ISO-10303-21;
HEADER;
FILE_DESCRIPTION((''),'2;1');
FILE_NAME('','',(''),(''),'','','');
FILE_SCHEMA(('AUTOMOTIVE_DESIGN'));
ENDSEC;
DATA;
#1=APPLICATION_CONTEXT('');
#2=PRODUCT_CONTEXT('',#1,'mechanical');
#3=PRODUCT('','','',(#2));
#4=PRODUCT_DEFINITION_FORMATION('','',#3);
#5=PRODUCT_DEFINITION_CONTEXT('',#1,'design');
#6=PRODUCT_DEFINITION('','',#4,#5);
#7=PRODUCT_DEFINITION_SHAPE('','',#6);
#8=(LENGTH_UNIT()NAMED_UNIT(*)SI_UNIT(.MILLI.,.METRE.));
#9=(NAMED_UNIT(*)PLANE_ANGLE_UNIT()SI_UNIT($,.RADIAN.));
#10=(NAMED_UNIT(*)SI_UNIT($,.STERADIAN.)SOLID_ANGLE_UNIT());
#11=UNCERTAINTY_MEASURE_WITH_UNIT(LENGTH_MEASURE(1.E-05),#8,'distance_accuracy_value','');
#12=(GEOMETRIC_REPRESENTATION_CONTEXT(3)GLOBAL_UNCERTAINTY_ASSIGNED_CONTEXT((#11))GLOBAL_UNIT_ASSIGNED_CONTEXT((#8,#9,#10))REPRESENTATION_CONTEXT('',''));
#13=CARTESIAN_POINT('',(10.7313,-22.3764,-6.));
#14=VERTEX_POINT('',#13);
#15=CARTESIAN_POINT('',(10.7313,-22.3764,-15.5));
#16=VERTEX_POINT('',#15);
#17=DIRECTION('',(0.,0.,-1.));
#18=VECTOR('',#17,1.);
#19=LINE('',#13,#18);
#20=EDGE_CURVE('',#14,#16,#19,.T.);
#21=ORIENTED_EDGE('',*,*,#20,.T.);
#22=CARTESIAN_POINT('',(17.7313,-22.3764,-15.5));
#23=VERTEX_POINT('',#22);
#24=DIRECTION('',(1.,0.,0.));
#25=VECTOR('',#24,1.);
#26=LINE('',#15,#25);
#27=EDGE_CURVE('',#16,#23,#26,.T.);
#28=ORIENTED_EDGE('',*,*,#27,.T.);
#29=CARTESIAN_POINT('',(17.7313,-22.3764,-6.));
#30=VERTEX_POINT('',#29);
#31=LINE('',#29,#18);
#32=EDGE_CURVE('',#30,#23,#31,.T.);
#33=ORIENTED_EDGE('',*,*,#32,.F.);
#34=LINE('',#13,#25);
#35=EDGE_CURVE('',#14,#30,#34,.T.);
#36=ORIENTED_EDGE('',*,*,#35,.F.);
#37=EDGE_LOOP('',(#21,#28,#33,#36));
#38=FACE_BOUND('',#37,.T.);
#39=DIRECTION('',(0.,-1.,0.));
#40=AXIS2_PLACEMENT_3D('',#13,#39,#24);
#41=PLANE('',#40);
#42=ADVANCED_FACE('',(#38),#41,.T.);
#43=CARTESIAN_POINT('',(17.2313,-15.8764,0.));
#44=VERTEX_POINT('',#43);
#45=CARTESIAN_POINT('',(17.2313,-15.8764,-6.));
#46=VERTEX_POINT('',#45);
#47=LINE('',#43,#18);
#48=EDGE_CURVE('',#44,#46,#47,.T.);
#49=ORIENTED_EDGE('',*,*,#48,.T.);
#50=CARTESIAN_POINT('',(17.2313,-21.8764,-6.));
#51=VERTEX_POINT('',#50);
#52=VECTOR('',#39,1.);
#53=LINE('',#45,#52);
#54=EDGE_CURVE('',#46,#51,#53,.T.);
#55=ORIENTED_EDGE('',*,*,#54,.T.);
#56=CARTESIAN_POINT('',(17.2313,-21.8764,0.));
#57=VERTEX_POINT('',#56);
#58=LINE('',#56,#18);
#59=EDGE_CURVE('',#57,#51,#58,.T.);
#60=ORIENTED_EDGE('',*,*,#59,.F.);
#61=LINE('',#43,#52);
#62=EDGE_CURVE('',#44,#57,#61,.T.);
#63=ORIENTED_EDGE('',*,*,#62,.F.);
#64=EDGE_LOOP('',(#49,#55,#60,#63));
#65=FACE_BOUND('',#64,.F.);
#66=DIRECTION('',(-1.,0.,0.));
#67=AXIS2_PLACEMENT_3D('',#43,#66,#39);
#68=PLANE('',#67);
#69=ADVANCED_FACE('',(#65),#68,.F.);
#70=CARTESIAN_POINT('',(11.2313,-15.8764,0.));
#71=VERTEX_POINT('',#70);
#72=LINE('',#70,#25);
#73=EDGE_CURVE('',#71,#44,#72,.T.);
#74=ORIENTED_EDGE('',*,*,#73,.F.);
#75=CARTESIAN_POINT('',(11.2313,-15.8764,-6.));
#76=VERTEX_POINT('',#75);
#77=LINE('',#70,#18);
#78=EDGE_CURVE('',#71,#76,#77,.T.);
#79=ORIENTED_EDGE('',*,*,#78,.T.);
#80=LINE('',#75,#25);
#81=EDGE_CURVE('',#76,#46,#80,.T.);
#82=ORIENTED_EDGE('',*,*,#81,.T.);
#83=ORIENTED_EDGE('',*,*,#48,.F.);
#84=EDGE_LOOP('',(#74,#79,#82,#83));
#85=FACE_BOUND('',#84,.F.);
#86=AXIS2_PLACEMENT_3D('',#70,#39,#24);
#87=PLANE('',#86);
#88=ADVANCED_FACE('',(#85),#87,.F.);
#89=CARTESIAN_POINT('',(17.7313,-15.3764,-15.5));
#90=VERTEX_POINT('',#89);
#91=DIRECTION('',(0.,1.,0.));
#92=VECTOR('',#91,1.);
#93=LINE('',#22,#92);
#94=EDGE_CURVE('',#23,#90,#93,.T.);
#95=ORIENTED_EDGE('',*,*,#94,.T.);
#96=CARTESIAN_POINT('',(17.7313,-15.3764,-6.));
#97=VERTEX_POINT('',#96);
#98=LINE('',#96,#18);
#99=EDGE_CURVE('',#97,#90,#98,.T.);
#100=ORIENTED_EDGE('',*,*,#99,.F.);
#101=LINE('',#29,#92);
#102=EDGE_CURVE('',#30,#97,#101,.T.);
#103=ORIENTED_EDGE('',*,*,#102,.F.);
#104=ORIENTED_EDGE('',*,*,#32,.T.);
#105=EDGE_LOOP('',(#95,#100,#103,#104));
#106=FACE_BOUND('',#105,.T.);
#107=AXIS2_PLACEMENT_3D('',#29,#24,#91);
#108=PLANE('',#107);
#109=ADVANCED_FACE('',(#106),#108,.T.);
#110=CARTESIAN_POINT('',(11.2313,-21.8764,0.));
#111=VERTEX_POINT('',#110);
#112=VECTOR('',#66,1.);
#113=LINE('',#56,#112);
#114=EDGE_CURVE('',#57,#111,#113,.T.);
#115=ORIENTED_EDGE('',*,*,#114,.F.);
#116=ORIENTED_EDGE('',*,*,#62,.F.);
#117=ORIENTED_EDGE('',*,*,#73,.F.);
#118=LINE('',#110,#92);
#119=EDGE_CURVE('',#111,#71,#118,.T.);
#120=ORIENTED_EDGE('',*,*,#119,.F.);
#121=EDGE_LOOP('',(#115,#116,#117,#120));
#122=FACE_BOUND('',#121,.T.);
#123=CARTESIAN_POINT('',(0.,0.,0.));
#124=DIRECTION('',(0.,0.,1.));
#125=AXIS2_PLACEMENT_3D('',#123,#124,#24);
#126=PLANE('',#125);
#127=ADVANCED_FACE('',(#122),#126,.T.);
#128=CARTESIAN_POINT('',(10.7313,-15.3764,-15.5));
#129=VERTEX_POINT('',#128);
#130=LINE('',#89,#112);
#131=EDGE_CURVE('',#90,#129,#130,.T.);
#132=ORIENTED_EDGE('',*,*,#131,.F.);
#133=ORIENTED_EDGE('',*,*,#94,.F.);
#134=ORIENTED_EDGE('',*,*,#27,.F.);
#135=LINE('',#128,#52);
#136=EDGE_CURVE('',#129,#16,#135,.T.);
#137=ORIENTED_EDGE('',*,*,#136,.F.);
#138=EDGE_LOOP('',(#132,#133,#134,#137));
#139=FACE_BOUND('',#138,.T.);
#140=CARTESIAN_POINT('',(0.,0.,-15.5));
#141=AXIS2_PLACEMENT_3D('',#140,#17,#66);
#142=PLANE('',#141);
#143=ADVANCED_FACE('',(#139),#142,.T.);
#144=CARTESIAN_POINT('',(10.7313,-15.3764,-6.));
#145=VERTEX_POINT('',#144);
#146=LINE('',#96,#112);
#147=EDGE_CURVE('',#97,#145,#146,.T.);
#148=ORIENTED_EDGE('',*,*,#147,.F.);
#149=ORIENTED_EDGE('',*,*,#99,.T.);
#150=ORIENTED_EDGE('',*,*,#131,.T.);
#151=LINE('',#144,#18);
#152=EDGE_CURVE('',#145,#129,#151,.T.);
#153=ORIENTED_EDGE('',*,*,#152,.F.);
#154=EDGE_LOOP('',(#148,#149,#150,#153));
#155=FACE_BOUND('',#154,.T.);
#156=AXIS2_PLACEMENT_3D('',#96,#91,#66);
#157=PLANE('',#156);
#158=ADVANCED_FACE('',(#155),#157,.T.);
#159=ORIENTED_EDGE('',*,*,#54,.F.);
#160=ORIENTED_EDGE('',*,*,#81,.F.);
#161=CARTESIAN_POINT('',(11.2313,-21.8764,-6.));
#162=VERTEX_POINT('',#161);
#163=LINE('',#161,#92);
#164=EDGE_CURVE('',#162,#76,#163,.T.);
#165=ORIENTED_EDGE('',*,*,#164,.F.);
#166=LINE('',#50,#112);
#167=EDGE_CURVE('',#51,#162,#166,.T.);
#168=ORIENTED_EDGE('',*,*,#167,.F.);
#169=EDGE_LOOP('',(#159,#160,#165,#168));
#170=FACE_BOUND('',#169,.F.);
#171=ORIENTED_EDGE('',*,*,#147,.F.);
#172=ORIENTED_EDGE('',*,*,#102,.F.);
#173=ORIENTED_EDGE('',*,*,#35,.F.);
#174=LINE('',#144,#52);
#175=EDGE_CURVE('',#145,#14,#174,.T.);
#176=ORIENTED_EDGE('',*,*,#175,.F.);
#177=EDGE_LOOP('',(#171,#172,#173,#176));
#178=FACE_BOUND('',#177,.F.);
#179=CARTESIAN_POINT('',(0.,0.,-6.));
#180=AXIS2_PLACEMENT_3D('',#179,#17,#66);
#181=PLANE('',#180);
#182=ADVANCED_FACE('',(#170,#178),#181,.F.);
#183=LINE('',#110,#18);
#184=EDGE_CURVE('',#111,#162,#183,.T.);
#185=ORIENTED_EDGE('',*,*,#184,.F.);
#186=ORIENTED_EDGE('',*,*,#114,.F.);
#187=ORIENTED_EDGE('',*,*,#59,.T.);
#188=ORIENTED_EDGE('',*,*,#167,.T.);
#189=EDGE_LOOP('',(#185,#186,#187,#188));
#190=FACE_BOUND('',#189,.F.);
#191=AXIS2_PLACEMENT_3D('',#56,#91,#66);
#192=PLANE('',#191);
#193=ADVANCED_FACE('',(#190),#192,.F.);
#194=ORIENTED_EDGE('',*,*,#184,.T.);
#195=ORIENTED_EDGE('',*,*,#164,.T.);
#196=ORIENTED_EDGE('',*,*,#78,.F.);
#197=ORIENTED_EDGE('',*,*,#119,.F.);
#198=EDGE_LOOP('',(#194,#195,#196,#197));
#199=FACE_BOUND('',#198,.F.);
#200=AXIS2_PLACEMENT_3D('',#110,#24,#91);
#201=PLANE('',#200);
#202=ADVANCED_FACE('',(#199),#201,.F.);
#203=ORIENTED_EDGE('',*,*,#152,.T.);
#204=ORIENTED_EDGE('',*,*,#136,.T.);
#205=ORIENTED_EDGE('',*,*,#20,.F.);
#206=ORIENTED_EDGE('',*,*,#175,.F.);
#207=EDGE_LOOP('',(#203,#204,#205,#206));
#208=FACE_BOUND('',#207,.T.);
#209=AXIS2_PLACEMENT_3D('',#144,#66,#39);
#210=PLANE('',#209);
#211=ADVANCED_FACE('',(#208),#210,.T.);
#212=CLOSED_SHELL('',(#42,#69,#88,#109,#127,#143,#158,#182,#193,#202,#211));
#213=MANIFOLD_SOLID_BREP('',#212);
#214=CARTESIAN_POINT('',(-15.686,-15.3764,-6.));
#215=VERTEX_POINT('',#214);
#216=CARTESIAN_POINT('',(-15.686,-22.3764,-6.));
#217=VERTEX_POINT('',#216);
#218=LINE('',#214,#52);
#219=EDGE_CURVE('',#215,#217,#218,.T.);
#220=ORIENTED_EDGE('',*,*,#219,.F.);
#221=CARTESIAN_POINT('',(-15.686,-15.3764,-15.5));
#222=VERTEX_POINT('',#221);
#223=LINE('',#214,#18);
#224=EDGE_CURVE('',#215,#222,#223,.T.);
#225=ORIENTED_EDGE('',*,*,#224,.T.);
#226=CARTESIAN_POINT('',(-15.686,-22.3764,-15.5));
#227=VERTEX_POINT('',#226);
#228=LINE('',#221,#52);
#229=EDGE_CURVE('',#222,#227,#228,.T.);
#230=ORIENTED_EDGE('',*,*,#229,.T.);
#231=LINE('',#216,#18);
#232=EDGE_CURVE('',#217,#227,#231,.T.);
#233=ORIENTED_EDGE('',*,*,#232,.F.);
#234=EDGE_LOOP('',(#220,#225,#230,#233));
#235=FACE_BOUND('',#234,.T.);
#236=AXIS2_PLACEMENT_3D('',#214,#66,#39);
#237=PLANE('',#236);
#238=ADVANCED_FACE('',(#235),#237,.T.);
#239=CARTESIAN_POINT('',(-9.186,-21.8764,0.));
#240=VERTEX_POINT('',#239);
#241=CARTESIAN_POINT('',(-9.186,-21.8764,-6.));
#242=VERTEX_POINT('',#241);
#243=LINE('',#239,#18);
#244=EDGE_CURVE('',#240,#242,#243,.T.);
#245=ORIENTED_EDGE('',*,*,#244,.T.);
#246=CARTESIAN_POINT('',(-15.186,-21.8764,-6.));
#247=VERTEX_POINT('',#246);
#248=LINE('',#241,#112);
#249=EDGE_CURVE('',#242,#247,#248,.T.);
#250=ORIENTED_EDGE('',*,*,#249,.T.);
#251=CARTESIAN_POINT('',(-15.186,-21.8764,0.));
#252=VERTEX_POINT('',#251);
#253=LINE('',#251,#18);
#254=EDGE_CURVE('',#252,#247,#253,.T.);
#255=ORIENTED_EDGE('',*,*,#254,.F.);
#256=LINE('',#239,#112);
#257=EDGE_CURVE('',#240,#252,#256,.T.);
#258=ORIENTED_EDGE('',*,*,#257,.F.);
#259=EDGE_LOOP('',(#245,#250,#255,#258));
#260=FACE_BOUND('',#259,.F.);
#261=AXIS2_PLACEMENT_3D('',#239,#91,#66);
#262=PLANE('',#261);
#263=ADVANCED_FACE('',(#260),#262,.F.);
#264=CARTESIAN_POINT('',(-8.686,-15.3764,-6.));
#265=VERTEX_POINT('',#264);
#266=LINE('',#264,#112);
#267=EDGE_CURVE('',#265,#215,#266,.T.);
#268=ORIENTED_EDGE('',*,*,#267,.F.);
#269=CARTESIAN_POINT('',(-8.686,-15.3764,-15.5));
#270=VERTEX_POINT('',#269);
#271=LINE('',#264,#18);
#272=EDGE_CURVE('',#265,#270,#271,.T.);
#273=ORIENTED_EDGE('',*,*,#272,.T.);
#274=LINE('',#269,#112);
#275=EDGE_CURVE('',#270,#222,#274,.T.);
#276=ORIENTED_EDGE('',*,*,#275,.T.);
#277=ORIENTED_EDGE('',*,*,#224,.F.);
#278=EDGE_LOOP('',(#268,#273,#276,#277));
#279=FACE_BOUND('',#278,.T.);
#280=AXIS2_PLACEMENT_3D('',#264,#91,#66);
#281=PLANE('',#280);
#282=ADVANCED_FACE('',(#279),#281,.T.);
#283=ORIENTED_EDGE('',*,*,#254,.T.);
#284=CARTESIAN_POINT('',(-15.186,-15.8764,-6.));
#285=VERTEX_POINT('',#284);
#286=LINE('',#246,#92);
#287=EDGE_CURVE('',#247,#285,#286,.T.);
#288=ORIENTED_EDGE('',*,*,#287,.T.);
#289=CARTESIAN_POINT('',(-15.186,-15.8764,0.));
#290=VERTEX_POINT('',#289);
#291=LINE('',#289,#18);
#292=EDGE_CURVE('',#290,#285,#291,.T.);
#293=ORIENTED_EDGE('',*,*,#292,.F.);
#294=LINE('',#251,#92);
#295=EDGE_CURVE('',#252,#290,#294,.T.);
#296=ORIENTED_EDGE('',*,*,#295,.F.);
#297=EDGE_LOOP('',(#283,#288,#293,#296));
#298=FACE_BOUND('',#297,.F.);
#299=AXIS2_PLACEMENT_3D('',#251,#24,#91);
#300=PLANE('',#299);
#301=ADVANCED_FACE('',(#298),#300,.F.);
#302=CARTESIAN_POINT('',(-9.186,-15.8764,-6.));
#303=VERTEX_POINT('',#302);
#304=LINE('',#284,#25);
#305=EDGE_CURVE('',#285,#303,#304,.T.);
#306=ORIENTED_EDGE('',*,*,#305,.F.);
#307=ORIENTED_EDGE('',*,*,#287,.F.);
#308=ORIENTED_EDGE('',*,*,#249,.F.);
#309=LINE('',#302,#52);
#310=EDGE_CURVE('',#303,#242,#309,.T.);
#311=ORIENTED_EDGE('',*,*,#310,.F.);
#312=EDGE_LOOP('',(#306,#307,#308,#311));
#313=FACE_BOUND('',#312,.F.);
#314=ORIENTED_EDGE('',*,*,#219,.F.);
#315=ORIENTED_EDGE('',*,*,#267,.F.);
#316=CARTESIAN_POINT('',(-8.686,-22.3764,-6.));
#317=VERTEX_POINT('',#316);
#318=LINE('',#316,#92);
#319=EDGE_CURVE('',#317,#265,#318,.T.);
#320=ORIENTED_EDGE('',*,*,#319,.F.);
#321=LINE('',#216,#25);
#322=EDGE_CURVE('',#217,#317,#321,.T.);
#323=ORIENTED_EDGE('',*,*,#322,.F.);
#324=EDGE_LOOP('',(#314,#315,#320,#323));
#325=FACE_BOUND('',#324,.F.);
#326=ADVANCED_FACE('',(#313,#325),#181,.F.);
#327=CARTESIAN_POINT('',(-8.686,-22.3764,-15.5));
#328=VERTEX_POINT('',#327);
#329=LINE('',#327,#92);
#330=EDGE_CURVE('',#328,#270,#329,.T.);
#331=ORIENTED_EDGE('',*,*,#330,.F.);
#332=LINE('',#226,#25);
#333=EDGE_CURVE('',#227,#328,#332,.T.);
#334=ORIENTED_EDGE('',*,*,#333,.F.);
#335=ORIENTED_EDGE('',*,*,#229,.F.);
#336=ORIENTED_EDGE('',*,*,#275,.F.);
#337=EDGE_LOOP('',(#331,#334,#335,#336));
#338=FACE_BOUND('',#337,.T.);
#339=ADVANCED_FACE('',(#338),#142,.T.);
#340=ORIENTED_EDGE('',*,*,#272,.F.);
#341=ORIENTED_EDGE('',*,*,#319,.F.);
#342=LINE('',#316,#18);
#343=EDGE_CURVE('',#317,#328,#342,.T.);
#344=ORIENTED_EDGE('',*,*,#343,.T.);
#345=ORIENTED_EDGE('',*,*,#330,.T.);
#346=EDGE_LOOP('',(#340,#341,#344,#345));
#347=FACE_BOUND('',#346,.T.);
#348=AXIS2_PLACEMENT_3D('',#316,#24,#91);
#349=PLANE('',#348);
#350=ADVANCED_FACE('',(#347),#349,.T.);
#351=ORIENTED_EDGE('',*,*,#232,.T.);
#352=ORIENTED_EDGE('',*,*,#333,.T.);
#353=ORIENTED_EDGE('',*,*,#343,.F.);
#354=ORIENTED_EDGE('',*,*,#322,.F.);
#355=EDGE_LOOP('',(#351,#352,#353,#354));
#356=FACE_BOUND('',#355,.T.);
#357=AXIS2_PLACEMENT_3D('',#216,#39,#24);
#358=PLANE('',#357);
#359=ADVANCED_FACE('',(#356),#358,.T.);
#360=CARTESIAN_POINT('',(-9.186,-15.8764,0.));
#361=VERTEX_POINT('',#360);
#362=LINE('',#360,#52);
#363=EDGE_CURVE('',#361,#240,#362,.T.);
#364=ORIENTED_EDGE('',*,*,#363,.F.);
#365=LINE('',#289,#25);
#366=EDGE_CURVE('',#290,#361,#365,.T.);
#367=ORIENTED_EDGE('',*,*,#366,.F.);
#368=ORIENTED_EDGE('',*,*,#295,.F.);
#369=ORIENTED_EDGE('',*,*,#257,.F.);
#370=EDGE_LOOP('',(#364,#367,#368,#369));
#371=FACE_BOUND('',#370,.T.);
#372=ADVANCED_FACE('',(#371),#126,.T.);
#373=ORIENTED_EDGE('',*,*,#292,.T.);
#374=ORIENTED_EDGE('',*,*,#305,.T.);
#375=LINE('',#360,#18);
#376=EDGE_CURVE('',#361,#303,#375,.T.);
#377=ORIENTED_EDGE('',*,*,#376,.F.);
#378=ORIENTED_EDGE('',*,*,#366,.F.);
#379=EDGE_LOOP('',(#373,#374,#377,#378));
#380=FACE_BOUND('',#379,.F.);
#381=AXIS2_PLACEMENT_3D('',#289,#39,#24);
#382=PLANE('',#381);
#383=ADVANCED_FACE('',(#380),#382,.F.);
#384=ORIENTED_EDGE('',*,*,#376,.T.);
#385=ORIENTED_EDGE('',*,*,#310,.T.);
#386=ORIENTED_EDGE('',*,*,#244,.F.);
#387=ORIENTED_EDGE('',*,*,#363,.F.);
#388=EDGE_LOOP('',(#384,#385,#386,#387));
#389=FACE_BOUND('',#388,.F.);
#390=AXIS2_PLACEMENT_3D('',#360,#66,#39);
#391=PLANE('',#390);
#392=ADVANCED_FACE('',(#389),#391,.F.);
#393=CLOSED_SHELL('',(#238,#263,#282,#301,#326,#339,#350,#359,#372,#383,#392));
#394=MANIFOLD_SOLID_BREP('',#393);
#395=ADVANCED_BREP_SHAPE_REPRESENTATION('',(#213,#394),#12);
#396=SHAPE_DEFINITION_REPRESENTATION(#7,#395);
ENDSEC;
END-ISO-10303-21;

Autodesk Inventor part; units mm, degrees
ref_plane "YZ Plane" through (0, 0, 0) normal (1, 0, 0) x (0, 1, 0)
ref_plane "XZ Plane" through (0, 0, 0) normal (0, 1, 0) x (-1, 0, 0)
ref_plane "XY Plane" through (0, 0, 0) normal (0, 0, 1) x (1, 0, 0)
sketch "Skizze1" plane through (0, 0, 0) normal (0, 0, 1) x (1, 0, 0)
  line L0 (-15.686, -15.3764) -> (-8.686, -15.3764)
  line L1 (-8.686, -15.3764) -> (-8.686, -22.3764)
  line L2 (-8.686, -22.3764) -> (-15.686, -22.3764)
  line L3 (-15.686, -22.3764) -> (-15.686, -15.3764)
  line L4 (-15.686, -15.3764) -> (-8.686, -22.3764) construction
  line L5 (-8.686, -15.3764) -> (-15.686, -22.3764) construction
  line L6 (-16.686, -14.3764) -> (-7.686, -14.3764)
  line L7 (-7.686, -14.3764) -> (-7.686, -23.3764)
  line L8 (-7.686, -23.3764) -> (-16.686, -23.3764)
  line L9 (-16.686, -23.3764) -> (-16.686, -14.3764)
  line L10 (-16.686, -14.3764) -> (-7.686, -23.3764) construction
  line L11 (-7.686, -14.3764) -> (-16.686, -23.3764) construction
  line L12 (-15.186, -15.8764) -> (-9.186, -15.8764)
  line L13 (-9.186, -15.8764) -> (-9.186, -21.8764)
  line L14 (-9.186, -21.8764) -> (-15.186, -21.8764)
  line L15 (-15.186, -21.8764) -> (-15.186, -15.8764)
  line L16 (-15.186, -15.8764) -> (-9.186, -21.8764) construction
  line L17 (-9.186, -15.8764) -> (-15.186, -21.8764) construction
  line L18 (11.2313, -15.8764) -> (17.2313, -15.8764)
  line L19 (17.2313, -15.8764) -> (17.2313, -21.8764)
  line L20 (17.2313, -21.8764) -> (11.2313, -21.8764)
  line L21 (11.2313, -21.8764) -> (11.2313, -15.8764)
  line L22 (11.2313, -15.8764) -> (17.2313, -21.8764) construction
  line L23 (17.2313, -15.8764) -> (11.2313, -21.8764) construction
  line L24 (10.7313, -15.3764) -> (17.7313, -15.3764)
  line L25 (17.7313, -15.3764) -> (17.7313, -22.3764)
  line L26 (17.7313, -22.3764) -> (10.7313, -22.3764)
  line L27 (10.7313, -22.3764) -> (10.7313, -15.3764)
  line L28 (10.7313, -15.3764) -> (17.7313, -22.3764) construction
  line L29 (17.7313, -15.3764) -> (10.7313, -22.3764) construction
  line L30 (9.7313, -14.3764) -> (18.7313, -14.3764)
  line L31 (18.7313, -14.3764) -> (18.7313, -23.3764)
  line L32 (18.7313, -23.3764) -> (9.7313, -23.3764)
  line L33 (9.7313, -23.3764) -> (9.7313, -14.3764)
  line L34 (9.7313, -14.3764) -> (18.7313, -23.3764) construction
  line L35 (18.7313, -14.3764) -> (9.7313, -23.3764) construction
  point P0 (0, 0)
  point P1 (-37.0028, -11.3826)
  point P2 (-12.186, -18.8764)
  point P3 (-12.186, -18.8764)
  point P4 (-12.186, -18.8764)
  point P5 (14.2313, -18.8764)
  point P6 (14.2313, -18.8764)
  point P7 (14.2313, -18.8764)
  dimension "d0" = 7
  dimension "d1" = 7
  dimension "d2" = 9
  dimension "d3" = 9
  dimension "d4" = 6
  dimension "d5" = 6
  dimension "d6" = 6
  dimension "d7" = 6
  dimension "d8" = 7
  dimension "d9" = 7
  dimension "d10" = 9
  dimension "d11" = 9
extrude "Extrusion1" add sketch "Skizze1" against normal blind 6 contours L12 L13 L14 L15 | L18 L19 L20 L21
sketch "Skizze2" plane through (0, 0, -6) normal (0, 0, -1) x (-1, 0, 0)
  line L0 (9.186, -21.8764) -> (15.186, -21.8764) projected
  line L1 (15.186, -15.8764) -> (9.186, -15.8764) projected
  line L2 (15.186, -21.8764) -> (9.186, -21.8764)
  line L3 (9.186, -21.8764) -> (9.186, -15.8764)
  line L4 (9.186, -15.8764) -> (15.186, -15.8764)
  line L5 (15.186, -15.8764) -> (15.186, -21.8764)
  line L6 (-11.2313, -21.8764) -> (-17.2313, -21.8764) projected
  line L7 (-17.2313, -21.8764) -> (-11.2313, -21.8764)
  line L8 (-11.2313, -21.8764) -> (-11.2313, -15.8764)
  line L9 (-11.2313, -15.8764) -> (-17.2313, -15.8764)
  line L10 (-17.2313, -15.8764) -> (-17.2313, -21.8764)
  line L11 (15.186, -15.8764) -> (12.186, -15.8764)
  line L12 (12.186, -15.8764) -> (12.186, -18.8764)
  line L13 (-11.2313, -15.8764) -> (-14.2313, -15.8764)
  line L14 (-14.2313, -15.8764) -> (-14.2313, -18.8764)
  line L15 (15.686, -22.3764) -> (8.686, -22.3764)
  line L16 (8.686, -22.3764) -> (8.686, -15.3764)
  line L17 (8.686, -15.3764) -> (15.686, -15.3764)
  line L18 (15.686, -15.3764) -> (15.686, -22.3764)
  line L19 (15.686, -22.3764) -> (8.686, -15.3764) construction
  line L20 (8.686, -22.3764) -> (15.686, -15.3764) construction
  line L21 (-10.7313, -22.3764) -> (-17.7313, -22.3764)
  line L22 (-17.7313, -22.3764) -> (-17.7313, -15.3764)
  line L23 (-17.7313, -15.3764) -> (-10.7313, -15.3764)
  line L24 (-10.7313, -15.3764) -> (-10.7313, -22.3764)
  line L25 (-10.7313, -22.3764) -> (-17.7313, -15.3764) construction
  line L26 (-17.7313, -22.3764) -> (-10.7313, -15.3764) construction
  point P0 (0, 0)
  dimension "d15" = 3
  dimension "d16" = 3
  dimension "d17" = 3
  dimension "d18" = 7
  dimension "d19" = 7
  dimension "d20" = 7
  dimension "d21" = 7
extrude "Extrusion2" add sketch "Skizze2" along normal blind 9.5 contours L3 L1 L5 L0 | L6 L10 L9 L8 | L15 L16 L17 L18 | L21 L22 L23 L24
properties part number "Taster"
